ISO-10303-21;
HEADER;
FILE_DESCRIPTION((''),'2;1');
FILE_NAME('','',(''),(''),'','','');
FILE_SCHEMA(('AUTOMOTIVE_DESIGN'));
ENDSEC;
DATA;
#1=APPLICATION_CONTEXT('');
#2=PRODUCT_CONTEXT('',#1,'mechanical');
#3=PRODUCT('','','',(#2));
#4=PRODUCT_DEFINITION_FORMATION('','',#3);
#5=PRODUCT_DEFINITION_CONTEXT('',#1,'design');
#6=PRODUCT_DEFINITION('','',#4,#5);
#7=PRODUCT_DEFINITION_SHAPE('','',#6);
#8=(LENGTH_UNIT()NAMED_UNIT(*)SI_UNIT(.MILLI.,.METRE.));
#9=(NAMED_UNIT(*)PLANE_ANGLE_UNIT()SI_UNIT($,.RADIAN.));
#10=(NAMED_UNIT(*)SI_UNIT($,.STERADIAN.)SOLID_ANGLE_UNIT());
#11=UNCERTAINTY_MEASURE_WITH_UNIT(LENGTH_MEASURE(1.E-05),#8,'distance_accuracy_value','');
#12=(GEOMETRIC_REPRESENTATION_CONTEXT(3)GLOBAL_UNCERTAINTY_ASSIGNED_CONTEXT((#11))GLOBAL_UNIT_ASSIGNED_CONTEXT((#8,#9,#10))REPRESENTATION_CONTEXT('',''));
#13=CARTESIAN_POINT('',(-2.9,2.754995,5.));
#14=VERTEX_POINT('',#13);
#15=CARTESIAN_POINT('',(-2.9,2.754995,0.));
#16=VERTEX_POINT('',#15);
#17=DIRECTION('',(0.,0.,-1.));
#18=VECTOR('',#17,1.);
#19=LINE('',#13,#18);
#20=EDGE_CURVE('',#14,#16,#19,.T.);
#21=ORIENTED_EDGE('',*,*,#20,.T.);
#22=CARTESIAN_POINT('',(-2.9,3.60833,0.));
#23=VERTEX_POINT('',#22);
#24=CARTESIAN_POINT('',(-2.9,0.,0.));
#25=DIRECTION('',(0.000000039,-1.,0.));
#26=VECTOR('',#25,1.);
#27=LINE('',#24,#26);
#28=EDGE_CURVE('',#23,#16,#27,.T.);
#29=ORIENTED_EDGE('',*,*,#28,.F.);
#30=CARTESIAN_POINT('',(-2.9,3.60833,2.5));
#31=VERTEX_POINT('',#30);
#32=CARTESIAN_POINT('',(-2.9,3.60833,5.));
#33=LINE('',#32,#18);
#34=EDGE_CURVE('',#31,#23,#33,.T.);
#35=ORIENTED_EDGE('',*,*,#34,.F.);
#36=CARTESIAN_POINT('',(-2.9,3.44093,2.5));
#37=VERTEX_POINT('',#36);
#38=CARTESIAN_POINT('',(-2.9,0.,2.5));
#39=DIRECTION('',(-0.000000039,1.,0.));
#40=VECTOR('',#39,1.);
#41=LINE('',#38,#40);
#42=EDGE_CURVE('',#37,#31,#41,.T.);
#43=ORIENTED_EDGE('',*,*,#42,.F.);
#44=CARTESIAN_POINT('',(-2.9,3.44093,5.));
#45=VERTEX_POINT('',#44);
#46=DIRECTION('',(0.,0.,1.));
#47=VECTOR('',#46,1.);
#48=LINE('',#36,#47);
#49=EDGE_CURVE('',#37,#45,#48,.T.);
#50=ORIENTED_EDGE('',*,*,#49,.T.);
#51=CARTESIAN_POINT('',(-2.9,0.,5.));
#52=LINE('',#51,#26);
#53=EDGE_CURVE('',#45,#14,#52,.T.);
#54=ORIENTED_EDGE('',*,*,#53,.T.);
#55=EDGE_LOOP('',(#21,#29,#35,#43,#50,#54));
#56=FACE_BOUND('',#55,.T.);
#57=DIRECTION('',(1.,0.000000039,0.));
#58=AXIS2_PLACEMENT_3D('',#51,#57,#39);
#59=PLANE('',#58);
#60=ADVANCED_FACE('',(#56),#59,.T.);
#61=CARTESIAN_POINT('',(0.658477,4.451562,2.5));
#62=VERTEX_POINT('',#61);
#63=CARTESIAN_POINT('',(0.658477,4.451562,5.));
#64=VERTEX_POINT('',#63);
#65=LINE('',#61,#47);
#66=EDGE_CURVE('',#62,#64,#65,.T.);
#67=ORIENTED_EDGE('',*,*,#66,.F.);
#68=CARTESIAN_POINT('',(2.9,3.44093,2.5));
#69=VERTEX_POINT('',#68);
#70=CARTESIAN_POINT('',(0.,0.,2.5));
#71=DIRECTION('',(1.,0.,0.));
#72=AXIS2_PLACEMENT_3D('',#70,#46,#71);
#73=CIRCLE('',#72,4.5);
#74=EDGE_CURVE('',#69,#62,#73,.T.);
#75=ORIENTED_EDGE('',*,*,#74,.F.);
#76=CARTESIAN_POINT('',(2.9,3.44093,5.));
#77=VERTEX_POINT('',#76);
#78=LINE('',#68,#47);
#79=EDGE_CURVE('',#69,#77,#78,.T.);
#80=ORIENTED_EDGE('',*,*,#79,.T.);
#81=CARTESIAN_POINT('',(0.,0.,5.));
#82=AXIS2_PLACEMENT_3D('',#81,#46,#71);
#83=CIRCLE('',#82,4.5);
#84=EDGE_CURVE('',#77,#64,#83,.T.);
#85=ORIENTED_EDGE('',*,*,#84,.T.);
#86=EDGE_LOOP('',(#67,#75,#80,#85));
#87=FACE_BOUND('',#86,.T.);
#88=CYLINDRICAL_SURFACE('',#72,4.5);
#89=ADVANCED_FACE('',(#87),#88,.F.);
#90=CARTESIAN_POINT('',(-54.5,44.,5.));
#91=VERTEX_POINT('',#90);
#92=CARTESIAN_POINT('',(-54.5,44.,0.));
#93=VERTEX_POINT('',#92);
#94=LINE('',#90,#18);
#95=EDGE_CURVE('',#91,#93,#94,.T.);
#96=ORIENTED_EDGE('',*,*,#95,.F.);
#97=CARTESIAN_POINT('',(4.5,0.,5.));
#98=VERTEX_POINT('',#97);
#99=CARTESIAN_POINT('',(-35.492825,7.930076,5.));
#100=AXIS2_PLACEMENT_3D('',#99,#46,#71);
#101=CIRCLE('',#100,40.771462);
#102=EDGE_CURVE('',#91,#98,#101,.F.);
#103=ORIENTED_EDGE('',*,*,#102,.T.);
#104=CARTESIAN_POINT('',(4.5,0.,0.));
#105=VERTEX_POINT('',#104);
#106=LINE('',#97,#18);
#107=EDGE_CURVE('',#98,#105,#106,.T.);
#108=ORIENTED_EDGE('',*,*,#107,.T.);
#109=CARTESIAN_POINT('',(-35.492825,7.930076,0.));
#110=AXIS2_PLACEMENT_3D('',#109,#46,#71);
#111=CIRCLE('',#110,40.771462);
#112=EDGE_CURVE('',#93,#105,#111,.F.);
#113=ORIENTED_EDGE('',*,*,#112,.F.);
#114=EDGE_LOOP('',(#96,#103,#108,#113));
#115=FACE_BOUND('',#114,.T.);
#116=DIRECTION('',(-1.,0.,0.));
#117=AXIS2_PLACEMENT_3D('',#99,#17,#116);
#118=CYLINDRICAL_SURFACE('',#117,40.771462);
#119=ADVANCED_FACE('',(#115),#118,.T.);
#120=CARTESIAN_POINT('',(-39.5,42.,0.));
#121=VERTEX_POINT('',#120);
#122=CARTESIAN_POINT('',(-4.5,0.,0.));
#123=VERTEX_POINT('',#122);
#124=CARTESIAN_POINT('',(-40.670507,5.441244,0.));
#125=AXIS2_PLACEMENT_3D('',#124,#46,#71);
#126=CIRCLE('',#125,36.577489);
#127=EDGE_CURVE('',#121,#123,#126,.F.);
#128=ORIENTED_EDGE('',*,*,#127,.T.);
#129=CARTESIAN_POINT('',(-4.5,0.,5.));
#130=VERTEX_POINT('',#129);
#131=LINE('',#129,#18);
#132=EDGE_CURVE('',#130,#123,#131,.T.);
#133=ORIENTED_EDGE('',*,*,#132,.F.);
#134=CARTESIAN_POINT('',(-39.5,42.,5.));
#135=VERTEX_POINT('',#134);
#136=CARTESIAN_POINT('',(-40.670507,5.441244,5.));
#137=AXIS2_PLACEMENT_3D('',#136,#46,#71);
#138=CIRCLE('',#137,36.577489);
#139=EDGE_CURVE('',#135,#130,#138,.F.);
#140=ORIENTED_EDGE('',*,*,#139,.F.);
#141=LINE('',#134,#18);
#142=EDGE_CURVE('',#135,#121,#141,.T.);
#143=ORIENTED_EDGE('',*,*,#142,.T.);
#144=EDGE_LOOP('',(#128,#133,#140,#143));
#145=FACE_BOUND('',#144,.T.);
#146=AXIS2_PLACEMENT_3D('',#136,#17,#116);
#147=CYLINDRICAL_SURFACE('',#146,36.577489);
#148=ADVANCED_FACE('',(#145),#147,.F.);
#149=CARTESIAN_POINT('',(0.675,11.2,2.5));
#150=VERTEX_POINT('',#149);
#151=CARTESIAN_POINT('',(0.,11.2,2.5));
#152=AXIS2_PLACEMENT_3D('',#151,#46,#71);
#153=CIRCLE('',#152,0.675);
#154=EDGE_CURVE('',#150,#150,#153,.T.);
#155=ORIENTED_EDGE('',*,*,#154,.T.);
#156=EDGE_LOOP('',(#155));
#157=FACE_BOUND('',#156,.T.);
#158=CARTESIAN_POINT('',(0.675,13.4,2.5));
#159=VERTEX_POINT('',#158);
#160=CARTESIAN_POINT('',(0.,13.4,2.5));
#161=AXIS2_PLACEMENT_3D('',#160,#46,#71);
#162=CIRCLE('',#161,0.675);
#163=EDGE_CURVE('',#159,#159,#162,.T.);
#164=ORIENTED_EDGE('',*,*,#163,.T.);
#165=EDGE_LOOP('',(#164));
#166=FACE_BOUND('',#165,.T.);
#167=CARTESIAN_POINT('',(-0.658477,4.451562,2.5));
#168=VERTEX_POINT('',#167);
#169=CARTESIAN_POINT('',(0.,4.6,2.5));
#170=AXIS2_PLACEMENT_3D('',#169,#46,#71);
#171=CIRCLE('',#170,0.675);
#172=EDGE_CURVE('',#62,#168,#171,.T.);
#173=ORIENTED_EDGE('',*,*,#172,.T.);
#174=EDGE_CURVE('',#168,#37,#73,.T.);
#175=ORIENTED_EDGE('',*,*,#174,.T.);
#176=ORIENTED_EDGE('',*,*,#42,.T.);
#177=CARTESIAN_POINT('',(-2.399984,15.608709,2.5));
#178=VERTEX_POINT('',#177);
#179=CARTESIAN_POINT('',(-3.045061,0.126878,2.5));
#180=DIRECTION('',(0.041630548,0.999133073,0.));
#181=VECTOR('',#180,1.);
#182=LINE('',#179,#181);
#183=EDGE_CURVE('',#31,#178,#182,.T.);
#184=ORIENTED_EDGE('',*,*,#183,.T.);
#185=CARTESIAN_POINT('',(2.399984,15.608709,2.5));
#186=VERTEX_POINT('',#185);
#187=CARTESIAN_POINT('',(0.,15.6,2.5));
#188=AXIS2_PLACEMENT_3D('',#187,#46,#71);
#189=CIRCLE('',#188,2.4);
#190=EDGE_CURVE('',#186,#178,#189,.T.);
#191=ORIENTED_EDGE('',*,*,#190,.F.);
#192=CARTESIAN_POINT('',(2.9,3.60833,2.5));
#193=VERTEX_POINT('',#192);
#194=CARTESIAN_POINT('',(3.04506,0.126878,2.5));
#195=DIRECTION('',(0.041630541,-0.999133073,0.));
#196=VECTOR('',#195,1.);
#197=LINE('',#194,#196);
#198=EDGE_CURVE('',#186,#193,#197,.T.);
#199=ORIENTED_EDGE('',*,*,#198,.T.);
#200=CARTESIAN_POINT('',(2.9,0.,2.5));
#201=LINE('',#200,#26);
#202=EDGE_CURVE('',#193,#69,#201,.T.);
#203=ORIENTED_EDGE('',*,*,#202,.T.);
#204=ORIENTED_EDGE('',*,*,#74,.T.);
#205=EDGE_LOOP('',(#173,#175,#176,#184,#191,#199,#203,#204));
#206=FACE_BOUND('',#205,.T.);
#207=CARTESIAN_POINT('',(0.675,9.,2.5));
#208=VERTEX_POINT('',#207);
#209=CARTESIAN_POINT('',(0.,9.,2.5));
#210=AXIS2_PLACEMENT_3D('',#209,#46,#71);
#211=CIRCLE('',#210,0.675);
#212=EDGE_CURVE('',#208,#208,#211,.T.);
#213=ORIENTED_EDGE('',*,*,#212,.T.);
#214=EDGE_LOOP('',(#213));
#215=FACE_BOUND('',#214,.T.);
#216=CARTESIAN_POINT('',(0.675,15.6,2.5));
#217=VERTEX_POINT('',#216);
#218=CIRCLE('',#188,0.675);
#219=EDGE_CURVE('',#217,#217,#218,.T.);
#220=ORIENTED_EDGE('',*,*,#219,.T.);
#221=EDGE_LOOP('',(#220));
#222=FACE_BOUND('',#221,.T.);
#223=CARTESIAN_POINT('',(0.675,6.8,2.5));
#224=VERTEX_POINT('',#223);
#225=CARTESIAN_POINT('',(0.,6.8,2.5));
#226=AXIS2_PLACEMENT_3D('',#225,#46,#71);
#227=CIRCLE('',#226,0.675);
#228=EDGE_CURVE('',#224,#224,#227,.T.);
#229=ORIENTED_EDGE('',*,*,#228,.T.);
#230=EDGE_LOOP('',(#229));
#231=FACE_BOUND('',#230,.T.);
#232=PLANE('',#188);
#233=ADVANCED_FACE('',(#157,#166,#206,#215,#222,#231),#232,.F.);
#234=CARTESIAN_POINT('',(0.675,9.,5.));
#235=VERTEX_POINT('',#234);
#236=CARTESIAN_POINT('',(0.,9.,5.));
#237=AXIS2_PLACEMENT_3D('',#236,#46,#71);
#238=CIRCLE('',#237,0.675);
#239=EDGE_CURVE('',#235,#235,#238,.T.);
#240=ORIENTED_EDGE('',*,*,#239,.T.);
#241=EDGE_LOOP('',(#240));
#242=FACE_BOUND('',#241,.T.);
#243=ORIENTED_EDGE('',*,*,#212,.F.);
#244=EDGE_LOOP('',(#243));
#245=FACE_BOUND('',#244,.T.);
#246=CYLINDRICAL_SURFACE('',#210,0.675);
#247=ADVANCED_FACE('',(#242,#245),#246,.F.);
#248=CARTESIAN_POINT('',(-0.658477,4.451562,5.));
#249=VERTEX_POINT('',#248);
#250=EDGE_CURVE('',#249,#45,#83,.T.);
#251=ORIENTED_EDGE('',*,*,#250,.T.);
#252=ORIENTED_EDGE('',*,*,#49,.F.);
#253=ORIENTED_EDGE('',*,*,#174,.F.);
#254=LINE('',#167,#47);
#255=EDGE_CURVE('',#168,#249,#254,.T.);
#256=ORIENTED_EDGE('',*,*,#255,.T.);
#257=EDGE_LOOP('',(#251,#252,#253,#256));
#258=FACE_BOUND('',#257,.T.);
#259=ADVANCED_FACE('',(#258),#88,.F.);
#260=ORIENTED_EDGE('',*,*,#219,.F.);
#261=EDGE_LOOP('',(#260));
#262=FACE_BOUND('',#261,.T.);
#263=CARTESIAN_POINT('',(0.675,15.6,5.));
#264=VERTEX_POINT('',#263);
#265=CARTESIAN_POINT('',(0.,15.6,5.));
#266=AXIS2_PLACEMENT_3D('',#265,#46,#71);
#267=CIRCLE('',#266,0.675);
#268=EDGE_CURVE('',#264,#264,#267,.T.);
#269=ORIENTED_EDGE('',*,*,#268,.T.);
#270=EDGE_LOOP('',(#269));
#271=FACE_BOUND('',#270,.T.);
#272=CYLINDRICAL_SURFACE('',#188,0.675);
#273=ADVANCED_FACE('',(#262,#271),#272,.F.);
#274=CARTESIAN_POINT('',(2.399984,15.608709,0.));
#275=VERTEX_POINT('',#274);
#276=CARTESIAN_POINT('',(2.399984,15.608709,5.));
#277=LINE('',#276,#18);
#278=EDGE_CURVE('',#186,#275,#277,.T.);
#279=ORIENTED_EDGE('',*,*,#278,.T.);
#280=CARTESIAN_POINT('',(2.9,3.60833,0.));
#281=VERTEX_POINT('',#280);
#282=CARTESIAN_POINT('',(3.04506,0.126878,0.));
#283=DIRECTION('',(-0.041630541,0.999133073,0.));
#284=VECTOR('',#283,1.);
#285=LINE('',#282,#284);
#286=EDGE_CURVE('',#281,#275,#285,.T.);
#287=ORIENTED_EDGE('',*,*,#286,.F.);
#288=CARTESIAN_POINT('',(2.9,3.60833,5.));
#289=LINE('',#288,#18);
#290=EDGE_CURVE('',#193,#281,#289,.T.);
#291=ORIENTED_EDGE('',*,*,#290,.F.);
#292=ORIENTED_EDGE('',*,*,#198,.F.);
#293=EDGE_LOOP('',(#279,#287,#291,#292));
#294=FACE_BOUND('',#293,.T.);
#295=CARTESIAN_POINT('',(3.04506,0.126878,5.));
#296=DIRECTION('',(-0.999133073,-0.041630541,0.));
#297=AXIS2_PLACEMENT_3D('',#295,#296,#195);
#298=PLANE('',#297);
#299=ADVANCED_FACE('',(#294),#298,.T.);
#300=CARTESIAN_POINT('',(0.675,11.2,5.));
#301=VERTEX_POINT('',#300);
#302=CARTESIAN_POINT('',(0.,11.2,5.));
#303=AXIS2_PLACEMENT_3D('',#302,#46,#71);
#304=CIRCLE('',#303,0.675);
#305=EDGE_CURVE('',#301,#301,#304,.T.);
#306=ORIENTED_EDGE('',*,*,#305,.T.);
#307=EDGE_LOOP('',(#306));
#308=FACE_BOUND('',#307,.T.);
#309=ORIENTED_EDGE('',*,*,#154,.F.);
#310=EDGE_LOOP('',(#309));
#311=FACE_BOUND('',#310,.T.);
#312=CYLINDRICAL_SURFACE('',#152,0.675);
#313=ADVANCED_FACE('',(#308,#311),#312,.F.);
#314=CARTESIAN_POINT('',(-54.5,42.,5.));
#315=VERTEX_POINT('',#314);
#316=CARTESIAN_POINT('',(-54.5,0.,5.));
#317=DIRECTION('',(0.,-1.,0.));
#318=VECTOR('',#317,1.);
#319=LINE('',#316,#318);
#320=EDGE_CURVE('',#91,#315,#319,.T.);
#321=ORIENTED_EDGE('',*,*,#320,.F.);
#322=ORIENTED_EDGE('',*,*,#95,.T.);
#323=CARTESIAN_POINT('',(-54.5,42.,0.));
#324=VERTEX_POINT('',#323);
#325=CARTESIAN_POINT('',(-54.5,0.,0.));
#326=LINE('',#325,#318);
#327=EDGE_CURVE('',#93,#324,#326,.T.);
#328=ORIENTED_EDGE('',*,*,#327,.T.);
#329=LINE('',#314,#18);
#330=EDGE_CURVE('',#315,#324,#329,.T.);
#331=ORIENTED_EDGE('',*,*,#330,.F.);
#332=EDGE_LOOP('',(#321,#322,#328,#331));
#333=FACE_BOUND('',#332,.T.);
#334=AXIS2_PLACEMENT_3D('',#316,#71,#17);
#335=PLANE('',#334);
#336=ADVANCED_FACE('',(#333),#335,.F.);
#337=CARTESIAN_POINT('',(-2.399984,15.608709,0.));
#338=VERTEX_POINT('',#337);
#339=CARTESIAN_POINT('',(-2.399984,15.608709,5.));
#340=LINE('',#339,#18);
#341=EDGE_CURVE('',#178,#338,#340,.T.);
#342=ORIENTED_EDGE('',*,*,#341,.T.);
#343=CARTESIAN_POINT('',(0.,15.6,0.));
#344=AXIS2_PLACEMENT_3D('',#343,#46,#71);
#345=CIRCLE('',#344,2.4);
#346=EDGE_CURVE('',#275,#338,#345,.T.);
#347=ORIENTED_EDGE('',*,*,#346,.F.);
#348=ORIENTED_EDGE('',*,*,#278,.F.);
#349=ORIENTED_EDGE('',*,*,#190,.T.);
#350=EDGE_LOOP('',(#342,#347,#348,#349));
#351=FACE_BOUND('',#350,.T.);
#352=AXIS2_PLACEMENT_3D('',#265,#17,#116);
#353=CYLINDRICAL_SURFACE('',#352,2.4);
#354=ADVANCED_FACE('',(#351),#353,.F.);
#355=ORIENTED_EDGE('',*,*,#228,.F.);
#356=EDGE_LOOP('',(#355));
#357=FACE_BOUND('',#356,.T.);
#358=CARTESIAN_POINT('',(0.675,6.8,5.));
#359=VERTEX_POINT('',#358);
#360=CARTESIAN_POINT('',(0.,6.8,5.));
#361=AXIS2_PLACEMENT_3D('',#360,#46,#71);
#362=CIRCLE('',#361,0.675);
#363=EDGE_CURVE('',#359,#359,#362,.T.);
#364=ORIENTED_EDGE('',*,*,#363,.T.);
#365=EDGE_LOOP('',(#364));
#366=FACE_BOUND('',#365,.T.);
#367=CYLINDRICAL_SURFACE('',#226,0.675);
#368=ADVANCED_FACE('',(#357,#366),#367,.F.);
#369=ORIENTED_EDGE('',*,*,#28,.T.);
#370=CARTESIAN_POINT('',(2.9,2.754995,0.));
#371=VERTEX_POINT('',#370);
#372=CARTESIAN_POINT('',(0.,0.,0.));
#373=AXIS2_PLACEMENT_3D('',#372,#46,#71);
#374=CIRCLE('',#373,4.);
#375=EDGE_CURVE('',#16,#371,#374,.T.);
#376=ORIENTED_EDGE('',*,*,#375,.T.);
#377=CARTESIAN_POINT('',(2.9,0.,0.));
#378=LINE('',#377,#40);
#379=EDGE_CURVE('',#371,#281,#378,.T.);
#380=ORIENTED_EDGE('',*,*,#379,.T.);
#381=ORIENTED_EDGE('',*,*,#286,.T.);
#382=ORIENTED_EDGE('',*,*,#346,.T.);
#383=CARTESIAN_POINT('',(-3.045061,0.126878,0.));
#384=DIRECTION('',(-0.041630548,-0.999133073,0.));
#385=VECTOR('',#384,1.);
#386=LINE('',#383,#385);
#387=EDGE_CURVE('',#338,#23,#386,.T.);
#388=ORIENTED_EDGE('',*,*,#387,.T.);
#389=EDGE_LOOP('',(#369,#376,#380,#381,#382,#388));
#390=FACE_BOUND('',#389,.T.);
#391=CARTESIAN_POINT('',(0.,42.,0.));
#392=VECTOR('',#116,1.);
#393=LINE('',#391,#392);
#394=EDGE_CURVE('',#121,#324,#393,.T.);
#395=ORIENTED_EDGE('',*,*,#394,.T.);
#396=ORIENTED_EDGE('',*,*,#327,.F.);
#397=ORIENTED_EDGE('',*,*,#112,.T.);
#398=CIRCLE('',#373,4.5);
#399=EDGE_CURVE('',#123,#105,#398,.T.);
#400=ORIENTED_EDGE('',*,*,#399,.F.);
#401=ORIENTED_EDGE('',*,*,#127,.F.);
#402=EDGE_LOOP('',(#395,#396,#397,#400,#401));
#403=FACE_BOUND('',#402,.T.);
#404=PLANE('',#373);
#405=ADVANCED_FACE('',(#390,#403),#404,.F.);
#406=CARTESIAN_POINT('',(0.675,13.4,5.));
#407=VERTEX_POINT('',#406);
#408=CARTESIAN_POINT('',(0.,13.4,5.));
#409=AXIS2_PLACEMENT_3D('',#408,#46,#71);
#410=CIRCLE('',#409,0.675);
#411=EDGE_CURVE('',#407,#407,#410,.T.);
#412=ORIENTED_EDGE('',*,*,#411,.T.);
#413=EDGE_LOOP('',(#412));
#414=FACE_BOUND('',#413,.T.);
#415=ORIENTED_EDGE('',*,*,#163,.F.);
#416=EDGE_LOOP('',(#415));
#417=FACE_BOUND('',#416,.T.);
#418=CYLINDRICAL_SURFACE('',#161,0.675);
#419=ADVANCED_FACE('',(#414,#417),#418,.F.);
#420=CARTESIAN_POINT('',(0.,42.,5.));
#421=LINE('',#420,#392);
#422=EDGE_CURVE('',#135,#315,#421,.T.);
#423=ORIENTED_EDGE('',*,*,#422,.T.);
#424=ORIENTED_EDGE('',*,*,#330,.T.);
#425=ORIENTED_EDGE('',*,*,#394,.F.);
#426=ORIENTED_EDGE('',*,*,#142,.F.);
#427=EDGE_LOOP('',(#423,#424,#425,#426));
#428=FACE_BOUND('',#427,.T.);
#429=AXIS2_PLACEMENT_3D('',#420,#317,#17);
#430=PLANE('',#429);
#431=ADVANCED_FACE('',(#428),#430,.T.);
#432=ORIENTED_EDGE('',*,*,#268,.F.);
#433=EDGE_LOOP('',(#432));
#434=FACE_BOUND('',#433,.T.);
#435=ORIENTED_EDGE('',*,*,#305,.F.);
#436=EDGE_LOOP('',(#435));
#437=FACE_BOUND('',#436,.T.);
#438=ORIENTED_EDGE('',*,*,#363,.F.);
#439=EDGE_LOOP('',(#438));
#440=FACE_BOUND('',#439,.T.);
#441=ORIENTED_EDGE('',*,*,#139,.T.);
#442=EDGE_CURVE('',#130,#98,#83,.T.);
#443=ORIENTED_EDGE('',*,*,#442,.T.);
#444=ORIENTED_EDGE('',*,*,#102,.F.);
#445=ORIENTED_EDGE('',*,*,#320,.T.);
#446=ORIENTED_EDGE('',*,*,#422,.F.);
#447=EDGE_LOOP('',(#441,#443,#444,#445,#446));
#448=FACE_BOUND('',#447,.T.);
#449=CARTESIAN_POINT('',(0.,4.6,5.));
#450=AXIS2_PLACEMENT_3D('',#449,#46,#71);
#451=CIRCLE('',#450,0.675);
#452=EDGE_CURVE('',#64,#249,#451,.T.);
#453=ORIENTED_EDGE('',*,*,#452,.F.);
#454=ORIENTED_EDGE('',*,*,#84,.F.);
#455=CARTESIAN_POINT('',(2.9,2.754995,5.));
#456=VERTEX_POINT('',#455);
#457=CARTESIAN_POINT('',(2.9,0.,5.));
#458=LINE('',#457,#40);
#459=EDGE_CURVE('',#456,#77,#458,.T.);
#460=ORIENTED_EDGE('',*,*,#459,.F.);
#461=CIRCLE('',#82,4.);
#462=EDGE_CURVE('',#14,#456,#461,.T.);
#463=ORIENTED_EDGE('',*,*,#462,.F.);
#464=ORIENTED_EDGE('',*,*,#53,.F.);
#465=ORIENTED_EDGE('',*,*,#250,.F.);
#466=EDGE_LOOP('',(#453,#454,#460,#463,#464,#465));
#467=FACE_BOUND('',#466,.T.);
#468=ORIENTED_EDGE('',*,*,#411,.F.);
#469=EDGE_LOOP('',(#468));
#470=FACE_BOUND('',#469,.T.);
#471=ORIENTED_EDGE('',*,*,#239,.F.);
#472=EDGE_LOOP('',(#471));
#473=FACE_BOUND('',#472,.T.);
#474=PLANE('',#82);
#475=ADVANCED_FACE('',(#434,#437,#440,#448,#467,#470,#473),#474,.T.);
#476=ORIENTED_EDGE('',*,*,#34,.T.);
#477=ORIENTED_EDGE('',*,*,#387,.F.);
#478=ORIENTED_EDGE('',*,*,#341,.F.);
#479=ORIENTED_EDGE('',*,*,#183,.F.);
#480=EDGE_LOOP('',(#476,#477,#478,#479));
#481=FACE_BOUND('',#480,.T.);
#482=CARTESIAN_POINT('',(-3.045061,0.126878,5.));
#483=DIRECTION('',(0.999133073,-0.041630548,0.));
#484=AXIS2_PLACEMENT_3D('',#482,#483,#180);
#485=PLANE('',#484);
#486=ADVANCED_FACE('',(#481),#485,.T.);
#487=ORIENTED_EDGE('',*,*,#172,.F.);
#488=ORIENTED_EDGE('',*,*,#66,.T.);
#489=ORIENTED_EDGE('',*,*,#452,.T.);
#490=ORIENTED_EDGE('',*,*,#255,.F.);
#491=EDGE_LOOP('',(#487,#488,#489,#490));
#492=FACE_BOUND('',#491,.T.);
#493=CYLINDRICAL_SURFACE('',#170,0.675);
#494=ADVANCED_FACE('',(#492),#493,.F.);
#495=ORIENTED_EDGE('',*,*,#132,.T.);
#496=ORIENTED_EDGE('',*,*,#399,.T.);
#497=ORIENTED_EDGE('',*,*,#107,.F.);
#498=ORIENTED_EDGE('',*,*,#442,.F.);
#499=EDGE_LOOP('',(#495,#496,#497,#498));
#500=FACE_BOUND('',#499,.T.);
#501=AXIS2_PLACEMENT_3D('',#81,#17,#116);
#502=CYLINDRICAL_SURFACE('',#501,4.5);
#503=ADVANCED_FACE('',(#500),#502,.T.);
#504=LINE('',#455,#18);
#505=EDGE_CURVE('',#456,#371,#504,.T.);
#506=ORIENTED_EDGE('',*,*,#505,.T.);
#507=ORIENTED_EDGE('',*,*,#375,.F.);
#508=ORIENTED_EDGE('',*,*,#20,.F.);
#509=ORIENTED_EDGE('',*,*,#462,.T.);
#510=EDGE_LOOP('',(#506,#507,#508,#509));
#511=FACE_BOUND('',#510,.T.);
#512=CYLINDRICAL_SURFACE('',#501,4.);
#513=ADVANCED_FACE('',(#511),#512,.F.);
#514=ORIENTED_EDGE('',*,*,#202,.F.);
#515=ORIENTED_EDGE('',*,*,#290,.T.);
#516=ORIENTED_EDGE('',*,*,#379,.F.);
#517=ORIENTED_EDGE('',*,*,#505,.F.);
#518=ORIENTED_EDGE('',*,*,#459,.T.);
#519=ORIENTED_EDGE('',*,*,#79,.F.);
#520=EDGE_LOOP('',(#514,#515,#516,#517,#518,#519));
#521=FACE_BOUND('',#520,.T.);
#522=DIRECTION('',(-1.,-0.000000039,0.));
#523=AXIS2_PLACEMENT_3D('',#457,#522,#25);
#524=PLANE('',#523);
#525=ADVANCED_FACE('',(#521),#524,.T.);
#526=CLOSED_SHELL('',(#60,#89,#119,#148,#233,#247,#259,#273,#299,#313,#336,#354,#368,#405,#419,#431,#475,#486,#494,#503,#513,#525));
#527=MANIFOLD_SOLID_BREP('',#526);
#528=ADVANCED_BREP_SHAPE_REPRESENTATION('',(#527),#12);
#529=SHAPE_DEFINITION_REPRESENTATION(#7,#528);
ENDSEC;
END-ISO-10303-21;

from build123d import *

# Parameters (mm, degrees)
BOSS_EXTRUDE1_DEPTH = 5
BOSS_EXTRUDE2_START = 5
SKETCH1_3_R         = 0.675
BOSS_EXTRUDE2_DEPTH = 2.5


with BuildPart() as part:
    # Sketch1 → Boss-Extrude1 (new body)
    with BuildSketch(Plane.XY):
        with BuildLine():
            ThreePointArc((4.5, 0), (-11.118671164, 40.613600031), (-54.5, 44))
            Line((-54.5, 44), (-54.5, 42))
            Line((-54.5, 42), (-39.5, 42))
            ThreePointArc((-39.5, 42), (-12.570901459, 28.857582118), (-4.5, 0))
            ThreePointArc((-4.5, 0), (0, -4.5), (4.5, 0))
        make_face()
        with BuildLine():
            Line((-2.900000039, 3.608329712), (-2.399984199, 15.608708951))
            ThreePointArc((-2.399984199, 15.608708951), (1e-09, 18), (2.399984199, 15.608708949))
            Line((2.399984199, 15.608708949), (2.899999961, 3.608329727))
            Line((2.899999961, 3.608329727), (2.899999994, 2.754995469))
            ThreePointArc((2.899999994, 2.754995469), (9e-09, -4), (-2.900000006, 2.754995456))
            Line((-2.900000006, 2.754995456), (-2.900000039, 3.608329712))
        make_face(mode=Mode.SUBTRACT)
    extrude(amount=BOSS_EXTRUDE1_DEPTH)

    # Sketch1<3> → Boss-Extrude2 (add)
    with BuildSketch(Plane.XY.offset(BOSS_EXTRUDE2_START)):
        with BuildLine():
            Line((2.899999967, 3.440930135), (2.899999961, 3.608329727))
            Line((2.899999961, 3.608329727), (2.399984199, 15.608708949))
            ThreePointArc((2.399984199, 15.608708949), (1e-09, 18), (-2.399984199, 15.608708951))
            Line((-2.399984199, 15.608708951), (-2.900000039, 3.608329712))
            Line((-2.900000039, 3.608329712), (-2.900000033, 3.440930079))
            ThreePointArc((-2.900000033, 3.440930079), (-1.84960355, 4.102312361), (-0.658476506, 4.4515625))
            ThreePointArc((-0.658476506, 4.4515625), (0, 5.275), (0.658476506, 4.4515625))
            ThreePointArc((0.658476506, 4.4515625), (1.849603511, 4.102312379), (2.899999967, 3.440930135))
        make_face()
        with Locations((0, 11.2)):
            Circle(SKETCH1_3_R, mode=Mode.SUBTRACT)
        with Locations((0, 13.4)):
            Circle(SKETCH1_3_R, mode=Mode.SUBTRACT)
        with Locations((0, 15.6)):
            Circle(SKETCH1_3_R, mode=Mode.SUBTRACT)
        with Locations((0, 6.8)):
            Circle(SKETCH1_3_R, mode=Mode.SUBTRACT)
        with Locations((0, 9)):
            Circle(SKETCH1_3_R, mode=Mode.SUBTRACT)
    extrude(amount=-BOSS_EXTRUDE2_DEPTH)


solid = part.part
